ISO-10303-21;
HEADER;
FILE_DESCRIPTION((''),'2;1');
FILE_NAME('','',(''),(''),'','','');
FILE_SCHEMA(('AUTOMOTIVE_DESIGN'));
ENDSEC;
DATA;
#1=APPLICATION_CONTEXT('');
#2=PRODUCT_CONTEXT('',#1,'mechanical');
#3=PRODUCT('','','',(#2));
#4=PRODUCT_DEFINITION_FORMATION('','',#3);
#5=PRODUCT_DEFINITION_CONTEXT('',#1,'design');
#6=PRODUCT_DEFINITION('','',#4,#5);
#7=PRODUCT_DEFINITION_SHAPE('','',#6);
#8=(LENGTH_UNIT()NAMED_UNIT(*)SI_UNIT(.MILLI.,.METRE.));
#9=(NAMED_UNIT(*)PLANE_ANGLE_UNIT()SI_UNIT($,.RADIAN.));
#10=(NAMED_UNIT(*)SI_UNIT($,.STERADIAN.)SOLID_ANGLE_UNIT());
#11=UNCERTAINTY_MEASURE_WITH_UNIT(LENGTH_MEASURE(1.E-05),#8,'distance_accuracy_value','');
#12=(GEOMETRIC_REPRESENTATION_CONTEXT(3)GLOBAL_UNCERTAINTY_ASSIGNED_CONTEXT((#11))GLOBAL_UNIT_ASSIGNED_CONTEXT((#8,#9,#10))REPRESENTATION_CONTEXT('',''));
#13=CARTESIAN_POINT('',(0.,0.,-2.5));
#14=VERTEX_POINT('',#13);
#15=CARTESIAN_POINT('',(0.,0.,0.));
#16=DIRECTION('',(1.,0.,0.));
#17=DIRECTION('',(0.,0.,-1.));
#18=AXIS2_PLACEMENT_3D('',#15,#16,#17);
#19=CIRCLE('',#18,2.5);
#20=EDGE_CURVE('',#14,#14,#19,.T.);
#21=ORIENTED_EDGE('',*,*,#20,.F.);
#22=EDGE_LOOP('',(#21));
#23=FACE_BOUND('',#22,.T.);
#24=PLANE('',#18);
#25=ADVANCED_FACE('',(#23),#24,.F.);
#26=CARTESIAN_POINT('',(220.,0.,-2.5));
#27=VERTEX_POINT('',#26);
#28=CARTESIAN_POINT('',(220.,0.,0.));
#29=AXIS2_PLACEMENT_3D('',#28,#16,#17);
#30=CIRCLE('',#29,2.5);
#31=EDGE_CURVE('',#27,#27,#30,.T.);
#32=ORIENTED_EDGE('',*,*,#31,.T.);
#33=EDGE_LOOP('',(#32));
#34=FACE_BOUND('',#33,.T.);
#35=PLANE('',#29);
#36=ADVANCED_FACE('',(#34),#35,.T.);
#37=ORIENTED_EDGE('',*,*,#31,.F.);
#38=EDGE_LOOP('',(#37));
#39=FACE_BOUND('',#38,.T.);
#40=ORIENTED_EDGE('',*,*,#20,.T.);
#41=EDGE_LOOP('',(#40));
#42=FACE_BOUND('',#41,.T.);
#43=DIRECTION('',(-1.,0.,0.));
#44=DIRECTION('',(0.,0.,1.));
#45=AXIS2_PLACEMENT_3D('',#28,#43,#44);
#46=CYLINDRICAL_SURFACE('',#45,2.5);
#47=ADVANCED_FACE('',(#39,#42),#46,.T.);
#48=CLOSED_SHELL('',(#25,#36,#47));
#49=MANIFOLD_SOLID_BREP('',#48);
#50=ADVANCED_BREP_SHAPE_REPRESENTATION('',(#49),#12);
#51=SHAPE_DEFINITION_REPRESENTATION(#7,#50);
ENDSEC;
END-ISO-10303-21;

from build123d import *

# Parameters (mm, degrees)
SCHIZZO1_R                   = 2.5
ESTRUSIONE_ESTRUSIONE1_DEPTH = 220


with BuildPart() as part:
    # Schizzo1 → Estrusione-Estrusione1 (new body)
    with BuildSketch(Plane(origin=(0, 0, 0), x_dir=(0, 0, -1), z_dir=(1, 0, 0))):
        Circle(SCHIZZO1_R)
    extrude(amount=ESTRUSIONE_ESTRUSIONE1_DEPTH)


solid = part.part
